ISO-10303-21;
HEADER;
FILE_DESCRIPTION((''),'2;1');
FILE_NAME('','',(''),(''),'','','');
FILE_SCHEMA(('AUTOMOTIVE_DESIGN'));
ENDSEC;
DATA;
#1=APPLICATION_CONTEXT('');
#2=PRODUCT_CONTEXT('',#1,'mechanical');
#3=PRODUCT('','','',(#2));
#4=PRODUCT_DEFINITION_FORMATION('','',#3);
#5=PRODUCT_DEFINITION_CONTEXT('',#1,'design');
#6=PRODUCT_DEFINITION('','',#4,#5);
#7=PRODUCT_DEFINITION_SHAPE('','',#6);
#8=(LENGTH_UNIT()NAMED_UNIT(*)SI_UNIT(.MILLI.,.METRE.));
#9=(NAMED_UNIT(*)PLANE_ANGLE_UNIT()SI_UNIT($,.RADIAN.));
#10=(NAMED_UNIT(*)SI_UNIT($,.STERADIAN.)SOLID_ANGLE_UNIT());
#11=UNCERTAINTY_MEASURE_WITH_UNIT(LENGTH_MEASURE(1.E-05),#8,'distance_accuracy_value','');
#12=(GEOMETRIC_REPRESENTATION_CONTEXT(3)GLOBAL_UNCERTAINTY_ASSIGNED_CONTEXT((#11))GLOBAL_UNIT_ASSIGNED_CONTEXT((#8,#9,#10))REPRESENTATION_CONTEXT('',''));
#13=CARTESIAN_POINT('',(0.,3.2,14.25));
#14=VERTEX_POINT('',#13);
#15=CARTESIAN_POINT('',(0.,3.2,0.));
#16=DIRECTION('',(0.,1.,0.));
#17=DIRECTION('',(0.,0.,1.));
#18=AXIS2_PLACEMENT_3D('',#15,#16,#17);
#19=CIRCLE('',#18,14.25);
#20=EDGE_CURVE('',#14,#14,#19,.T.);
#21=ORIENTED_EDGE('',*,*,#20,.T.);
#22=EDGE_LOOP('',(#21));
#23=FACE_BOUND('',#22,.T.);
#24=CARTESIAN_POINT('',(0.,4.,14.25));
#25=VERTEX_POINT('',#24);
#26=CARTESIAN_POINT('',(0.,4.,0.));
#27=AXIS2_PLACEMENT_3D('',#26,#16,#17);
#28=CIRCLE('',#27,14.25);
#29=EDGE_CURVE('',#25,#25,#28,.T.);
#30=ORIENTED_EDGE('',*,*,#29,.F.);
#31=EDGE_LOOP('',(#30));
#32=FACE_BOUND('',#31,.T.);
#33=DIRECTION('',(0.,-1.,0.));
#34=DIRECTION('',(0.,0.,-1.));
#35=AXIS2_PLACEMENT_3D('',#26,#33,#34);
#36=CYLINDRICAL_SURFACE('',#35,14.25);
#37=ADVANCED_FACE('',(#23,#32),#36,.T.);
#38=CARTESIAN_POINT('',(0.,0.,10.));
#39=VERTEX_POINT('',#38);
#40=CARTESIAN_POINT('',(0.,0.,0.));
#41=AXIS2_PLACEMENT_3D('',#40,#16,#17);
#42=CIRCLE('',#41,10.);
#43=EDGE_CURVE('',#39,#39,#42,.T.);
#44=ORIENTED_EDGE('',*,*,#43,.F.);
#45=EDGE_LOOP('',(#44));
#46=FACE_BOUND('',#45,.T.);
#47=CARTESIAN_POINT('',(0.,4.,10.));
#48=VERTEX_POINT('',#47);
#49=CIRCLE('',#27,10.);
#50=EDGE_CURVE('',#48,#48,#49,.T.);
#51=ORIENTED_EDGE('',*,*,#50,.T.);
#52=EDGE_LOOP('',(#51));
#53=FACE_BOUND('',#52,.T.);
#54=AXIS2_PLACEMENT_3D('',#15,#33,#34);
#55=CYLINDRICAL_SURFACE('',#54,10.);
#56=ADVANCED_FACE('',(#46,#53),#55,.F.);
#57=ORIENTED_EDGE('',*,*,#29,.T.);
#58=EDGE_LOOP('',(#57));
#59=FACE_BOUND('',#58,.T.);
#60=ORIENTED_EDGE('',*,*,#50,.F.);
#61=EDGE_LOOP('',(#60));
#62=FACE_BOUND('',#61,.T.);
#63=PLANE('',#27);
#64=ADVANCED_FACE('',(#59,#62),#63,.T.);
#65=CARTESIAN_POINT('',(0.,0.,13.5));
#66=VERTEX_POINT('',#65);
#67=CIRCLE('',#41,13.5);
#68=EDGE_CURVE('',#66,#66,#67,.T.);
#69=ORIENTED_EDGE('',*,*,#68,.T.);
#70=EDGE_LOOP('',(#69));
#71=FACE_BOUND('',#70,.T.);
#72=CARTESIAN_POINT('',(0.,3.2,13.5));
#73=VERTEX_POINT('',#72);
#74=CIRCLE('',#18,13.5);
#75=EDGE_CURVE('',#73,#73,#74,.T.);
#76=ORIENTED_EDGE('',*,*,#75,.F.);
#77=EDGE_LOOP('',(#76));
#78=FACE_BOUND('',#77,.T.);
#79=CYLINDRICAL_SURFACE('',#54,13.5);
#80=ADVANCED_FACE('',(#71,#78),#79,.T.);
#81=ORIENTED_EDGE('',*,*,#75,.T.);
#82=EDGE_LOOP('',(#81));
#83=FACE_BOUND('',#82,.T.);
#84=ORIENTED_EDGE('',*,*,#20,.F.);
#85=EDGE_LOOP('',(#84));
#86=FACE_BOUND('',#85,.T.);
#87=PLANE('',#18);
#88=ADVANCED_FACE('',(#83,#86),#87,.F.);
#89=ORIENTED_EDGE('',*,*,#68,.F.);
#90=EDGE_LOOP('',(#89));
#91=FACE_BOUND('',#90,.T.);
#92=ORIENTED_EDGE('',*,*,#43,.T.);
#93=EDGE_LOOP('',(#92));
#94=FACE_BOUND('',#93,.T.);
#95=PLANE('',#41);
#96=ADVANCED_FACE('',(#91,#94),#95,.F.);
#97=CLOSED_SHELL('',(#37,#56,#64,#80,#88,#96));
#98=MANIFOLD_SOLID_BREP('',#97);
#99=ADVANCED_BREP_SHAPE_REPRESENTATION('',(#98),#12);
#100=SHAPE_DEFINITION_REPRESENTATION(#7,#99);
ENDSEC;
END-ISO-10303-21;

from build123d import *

# Parameters (mm, degrees)
SKETCH_1_R      = 13.5
SKETCH_1_R_2    = 10
EXTRUDE_1_DEPTH = 3.2
SKETCH_2_R      = 14.25
SKETCH_2_R_2    = 10
EXTRUDE_2_DEPTH = 0.8


with BuildPart() as part:
    # 草图1 → 凸台-拉伸1 (new body)
    with BuildSketch(Plane(origin=(0, 0, 0), x_dir=(1, 0, 0), z_dir=(0, 1, 0))):
        with Locations(Location((0, 0, 0), (0, 0, 270))):
            Circle(SKETCH_1_R)
        with Locations(Location((0, 0, 0), (0, 0, 270))):
            Circle(SKETCH_1_R_2, mode=Mode.SUBTRACT)
    extrude(amount=EXTRUDE_1_DEPTH)

    # 草图2 → 凸台-拉伸2 (add)
    with BuildSketch(Plane(origin=(0, 3.2, 0), x_dir=(1, 0, 0), z_dir=(0, 1, 0))):
        with Locations(Location((0, 0, 0), (0, 0, 270))):
            Circle(SKETCH_2_R)
        with Locations(Location((0, 0, 0), (0, 0, 270))):
            Circle(SKETCH_2_R_2, mode=Mode.SUBTRACT)
    extrude(amount=EXTRUDE_2_DEPTH)


solid = part.part
